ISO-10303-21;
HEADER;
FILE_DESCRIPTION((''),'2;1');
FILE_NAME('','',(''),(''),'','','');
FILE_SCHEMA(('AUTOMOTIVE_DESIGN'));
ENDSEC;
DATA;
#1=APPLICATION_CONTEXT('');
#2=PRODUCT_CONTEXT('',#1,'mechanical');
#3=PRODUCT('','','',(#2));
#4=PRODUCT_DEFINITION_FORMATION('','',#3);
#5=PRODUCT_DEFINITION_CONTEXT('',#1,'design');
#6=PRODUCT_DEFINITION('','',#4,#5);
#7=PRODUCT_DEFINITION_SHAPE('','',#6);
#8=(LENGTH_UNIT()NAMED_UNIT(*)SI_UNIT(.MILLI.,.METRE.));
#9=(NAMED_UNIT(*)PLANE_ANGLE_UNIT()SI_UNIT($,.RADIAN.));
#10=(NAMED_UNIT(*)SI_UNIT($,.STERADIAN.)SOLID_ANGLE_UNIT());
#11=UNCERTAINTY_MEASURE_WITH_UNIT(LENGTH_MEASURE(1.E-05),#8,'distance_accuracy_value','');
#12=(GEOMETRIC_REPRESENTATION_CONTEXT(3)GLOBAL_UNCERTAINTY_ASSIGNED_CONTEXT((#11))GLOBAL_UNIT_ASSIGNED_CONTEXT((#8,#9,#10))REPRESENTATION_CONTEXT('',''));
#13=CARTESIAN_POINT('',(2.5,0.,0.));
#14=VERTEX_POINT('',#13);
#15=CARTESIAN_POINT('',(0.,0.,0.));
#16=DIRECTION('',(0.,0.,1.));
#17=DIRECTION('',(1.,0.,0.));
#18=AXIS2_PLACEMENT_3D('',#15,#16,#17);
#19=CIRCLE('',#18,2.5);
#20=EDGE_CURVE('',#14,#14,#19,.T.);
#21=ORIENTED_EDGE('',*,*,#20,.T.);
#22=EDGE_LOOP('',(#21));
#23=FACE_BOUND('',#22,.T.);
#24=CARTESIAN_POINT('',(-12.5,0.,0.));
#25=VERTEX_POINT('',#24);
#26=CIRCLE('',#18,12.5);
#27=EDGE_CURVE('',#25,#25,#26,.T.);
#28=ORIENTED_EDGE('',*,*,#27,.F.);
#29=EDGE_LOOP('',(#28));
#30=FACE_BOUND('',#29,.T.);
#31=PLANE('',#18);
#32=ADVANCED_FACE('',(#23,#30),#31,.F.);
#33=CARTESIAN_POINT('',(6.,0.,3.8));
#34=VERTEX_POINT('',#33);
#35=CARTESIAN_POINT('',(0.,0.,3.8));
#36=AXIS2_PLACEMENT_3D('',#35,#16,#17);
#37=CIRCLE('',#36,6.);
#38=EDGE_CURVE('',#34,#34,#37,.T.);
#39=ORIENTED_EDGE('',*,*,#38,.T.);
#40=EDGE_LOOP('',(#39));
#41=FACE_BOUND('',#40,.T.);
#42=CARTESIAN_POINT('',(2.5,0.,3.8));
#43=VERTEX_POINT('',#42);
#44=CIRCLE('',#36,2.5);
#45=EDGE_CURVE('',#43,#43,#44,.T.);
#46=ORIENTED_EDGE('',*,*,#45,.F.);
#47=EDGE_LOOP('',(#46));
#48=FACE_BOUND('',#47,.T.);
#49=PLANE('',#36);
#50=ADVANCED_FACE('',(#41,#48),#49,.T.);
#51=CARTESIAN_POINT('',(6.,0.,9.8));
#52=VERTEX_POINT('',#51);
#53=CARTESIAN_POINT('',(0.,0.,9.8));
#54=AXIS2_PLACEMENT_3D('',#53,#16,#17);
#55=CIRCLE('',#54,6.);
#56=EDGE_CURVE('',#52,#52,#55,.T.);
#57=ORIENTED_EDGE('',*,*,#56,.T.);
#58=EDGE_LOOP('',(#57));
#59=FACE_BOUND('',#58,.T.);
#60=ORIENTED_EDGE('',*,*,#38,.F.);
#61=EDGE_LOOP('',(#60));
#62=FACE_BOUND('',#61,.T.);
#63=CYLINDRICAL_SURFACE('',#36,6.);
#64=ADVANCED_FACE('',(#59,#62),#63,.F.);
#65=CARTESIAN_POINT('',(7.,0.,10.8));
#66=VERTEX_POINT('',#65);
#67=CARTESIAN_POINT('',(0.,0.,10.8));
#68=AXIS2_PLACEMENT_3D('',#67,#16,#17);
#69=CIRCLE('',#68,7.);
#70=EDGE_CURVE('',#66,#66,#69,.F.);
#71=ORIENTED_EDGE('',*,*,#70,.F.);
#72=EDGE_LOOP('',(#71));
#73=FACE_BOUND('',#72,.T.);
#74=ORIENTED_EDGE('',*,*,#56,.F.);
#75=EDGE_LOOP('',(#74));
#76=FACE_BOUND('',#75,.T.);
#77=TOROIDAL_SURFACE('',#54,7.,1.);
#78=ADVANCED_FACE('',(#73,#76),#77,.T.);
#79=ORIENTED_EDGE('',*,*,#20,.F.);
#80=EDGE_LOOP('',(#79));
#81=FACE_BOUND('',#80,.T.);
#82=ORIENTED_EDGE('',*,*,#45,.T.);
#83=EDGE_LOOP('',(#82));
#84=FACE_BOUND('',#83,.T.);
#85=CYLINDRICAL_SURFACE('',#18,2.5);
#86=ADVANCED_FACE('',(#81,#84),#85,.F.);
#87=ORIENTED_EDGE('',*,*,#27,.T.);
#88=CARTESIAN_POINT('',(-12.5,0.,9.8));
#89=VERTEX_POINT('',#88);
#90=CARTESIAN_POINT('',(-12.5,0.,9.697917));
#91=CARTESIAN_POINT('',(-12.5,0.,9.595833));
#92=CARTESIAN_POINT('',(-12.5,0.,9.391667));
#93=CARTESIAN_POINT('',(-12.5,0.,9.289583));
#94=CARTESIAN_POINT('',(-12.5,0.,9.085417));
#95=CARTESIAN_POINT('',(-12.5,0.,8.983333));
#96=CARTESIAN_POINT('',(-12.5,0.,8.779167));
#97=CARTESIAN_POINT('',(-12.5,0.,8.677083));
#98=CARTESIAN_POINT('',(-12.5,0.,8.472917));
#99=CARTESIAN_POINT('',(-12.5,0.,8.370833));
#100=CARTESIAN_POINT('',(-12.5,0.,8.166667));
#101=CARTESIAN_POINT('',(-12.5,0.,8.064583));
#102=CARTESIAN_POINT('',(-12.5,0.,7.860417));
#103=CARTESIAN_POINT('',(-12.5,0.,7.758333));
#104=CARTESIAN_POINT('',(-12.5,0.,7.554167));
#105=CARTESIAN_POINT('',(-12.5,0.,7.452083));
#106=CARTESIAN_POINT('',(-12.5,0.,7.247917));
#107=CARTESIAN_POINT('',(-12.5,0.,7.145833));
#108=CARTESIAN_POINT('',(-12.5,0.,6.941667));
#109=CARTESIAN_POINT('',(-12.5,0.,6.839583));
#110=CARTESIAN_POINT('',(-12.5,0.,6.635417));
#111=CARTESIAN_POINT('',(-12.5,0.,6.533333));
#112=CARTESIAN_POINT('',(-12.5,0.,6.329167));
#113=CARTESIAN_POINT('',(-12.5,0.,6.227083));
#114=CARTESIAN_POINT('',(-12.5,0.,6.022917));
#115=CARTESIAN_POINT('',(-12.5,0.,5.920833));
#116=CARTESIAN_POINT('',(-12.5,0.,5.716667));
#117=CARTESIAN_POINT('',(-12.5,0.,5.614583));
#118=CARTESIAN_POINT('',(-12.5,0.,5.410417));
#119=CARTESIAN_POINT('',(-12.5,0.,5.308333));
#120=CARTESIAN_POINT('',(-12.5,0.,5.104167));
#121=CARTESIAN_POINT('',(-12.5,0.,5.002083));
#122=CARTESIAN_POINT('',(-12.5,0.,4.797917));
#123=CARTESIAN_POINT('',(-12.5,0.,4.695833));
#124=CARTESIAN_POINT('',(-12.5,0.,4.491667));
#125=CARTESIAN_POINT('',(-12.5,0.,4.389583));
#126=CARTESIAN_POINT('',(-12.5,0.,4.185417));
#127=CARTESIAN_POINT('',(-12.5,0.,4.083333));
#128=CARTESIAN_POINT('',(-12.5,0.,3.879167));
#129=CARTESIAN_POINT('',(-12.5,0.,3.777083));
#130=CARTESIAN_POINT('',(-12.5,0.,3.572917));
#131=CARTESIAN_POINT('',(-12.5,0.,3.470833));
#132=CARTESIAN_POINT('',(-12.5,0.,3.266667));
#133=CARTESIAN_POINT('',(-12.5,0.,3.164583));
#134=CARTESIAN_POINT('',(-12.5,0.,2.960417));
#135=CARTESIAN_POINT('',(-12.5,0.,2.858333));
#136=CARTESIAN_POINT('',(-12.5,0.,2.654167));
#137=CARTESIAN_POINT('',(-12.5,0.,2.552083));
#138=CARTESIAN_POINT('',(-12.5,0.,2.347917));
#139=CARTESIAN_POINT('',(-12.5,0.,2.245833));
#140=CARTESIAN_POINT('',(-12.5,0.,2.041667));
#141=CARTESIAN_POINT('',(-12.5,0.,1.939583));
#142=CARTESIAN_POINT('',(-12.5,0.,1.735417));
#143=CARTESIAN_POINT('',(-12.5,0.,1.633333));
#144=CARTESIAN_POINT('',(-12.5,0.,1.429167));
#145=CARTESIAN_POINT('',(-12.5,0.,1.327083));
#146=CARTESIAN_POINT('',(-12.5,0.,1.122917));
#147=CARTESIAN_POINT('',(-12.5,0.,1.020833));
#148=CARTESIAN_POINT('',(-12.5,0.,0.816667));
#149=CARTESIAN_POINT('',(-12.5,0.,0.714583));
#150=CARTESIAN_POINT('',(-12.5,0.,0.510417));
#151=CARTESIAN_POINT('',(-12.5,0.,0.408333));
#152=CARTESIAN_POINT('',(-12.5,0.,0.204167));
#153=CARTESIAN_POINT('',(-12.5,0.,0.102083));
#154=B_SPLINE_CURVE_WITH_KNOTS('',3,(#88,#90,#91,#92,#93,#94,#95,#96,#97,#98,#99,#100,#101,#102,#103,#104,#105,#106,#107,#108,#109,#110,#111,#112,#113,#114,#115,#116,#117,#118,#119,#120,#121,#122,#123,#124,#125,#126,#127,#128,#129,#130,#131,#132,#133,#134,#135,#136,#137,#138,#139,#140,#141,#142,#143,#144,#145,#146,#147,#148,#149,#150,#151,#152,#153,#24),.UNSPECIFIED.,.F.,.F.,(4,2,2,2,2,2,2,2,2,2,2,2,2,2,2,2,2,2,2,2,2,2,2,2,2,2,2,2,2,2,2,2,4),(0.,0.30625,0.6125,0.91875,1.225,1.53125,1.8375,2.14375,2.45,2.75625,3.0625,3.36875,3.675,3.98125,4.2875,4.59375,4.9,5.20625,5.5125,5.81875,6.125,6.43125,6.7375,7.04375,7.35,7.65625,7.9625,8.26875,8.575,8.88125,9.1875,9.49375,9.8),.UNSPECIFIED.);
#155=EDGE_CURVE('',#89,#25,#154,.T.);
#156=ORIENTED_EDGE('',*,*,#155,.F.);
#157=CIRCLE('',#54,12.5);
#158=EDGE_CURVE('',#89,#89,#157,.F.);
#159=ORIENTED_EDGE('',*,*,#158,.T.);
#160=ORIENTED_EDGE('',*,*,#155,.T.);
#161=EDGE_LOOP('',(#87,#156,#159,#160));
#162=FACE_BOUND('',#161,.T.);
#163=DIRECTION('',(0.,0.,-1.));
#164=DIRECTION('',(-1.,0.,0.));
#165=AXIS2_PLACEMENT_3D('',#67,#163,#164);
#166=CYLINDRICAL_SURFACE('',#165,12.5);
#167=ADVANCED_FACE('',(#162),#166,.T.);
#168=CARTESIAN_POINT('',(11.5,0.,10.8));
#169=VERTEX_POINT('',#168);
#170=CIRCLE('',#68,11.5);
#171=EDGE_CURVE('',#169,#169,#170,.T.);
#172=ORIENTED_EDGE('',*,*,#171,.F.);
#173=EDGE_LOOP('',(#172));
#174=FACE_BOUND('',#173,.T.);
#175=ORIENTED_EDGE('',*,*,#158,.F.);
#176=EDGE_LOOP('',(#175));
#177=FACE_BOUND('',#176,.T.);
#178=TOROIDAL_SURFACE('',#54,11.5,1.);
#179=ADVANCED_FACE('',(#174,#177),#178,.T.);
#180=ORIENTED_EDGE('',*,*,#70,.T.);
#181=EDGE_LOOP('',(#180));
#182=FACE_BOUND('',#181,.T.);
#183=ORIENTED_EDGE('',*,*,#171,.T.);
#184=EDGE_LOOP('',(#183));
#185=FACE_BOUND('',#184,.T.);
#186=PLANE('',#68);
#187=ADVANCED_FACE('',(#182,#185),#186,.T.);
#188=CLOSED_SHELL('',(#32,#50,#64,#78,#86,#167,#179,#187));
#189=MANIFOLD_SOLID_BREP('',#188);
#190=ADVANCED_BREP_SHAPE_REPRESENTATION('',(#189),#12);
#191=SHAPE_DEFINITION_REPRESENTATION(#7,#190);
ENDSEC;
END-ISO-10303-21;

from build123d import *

# Parameters (mm, degrees)
SKIZZE1_R                            = 12.5
AUFSATZ_LINEAR_AUSTRAGEN1_DEPTH      = 10.8
SKIZZE2_R                            = 6
SCHNITT_LINEAR_AUSTRAGEN1_DEPTH      = 7
SCHNITT_LINEAR_AUSTRAGEN2_DEPTH      = 20.013153342
SCHNITT_LINEAR_AUSTRAGEN2_DEPTH_BACK = 20.013153342
SKIZZE3_R                            = 2.5
VERRUNDUNG1_R                        = 1


with BuildPart() as part:
    # Skizze1 → Aufsatz-Linear austragen1 (new body)
    with BuildSketch(Plane(origin=(0, 0, 0), x_dir=(0, 1, 0), z_dir=(0, 0, 1))):
        with Locations(Location((0, 0, 0), (0, 0, 90))):
            Circle(SKIZZE1_R)
    extrude(amount=AUFSATZ_LINEAR_AUSTRAGEN1_DEPTH)

    # Skizze2 → Schnitt-Linear austragen1 (cut)
    with BuildSketch(Plane.XY.offset(10.8)):
        Circle(SKIZZE2_R)
    extrude(amount=-SCHNITT_LINEAR_AUSTRAGEN1_DEPTH, mode=Mode.SUBTRACT)

    # Skizze3 → Schnitt-Linear austragen2 (cut, two sides: drawn at the far end of the back side and taken through both)
    with BuildSketch(Plane.XY.offset(3.8).offset(-SCHNITT_LINEAR_AUSTRAGEN2_DEPTH_BACK)):
        Circle(SKIZZE3_R)
    extrude(amount=SCHNITT_LINEAR_AUSTRAGEN2_DEPTH + SCHNITT_LINEAR_AUSTRAGEN2_DEPTH_BACK, mode=Mode.SUBTRACT)

    # Verrundung1
    verrundung1_edges = [part.edges().sort_by_distance(p)[0] for p in [
        (12.5, 0, 10.8),
        (-6, 0, 10.8),
    ]]
    fillet(verrundung1_edges, radius=VERRUNDUNG1_R)


solid = part.part
